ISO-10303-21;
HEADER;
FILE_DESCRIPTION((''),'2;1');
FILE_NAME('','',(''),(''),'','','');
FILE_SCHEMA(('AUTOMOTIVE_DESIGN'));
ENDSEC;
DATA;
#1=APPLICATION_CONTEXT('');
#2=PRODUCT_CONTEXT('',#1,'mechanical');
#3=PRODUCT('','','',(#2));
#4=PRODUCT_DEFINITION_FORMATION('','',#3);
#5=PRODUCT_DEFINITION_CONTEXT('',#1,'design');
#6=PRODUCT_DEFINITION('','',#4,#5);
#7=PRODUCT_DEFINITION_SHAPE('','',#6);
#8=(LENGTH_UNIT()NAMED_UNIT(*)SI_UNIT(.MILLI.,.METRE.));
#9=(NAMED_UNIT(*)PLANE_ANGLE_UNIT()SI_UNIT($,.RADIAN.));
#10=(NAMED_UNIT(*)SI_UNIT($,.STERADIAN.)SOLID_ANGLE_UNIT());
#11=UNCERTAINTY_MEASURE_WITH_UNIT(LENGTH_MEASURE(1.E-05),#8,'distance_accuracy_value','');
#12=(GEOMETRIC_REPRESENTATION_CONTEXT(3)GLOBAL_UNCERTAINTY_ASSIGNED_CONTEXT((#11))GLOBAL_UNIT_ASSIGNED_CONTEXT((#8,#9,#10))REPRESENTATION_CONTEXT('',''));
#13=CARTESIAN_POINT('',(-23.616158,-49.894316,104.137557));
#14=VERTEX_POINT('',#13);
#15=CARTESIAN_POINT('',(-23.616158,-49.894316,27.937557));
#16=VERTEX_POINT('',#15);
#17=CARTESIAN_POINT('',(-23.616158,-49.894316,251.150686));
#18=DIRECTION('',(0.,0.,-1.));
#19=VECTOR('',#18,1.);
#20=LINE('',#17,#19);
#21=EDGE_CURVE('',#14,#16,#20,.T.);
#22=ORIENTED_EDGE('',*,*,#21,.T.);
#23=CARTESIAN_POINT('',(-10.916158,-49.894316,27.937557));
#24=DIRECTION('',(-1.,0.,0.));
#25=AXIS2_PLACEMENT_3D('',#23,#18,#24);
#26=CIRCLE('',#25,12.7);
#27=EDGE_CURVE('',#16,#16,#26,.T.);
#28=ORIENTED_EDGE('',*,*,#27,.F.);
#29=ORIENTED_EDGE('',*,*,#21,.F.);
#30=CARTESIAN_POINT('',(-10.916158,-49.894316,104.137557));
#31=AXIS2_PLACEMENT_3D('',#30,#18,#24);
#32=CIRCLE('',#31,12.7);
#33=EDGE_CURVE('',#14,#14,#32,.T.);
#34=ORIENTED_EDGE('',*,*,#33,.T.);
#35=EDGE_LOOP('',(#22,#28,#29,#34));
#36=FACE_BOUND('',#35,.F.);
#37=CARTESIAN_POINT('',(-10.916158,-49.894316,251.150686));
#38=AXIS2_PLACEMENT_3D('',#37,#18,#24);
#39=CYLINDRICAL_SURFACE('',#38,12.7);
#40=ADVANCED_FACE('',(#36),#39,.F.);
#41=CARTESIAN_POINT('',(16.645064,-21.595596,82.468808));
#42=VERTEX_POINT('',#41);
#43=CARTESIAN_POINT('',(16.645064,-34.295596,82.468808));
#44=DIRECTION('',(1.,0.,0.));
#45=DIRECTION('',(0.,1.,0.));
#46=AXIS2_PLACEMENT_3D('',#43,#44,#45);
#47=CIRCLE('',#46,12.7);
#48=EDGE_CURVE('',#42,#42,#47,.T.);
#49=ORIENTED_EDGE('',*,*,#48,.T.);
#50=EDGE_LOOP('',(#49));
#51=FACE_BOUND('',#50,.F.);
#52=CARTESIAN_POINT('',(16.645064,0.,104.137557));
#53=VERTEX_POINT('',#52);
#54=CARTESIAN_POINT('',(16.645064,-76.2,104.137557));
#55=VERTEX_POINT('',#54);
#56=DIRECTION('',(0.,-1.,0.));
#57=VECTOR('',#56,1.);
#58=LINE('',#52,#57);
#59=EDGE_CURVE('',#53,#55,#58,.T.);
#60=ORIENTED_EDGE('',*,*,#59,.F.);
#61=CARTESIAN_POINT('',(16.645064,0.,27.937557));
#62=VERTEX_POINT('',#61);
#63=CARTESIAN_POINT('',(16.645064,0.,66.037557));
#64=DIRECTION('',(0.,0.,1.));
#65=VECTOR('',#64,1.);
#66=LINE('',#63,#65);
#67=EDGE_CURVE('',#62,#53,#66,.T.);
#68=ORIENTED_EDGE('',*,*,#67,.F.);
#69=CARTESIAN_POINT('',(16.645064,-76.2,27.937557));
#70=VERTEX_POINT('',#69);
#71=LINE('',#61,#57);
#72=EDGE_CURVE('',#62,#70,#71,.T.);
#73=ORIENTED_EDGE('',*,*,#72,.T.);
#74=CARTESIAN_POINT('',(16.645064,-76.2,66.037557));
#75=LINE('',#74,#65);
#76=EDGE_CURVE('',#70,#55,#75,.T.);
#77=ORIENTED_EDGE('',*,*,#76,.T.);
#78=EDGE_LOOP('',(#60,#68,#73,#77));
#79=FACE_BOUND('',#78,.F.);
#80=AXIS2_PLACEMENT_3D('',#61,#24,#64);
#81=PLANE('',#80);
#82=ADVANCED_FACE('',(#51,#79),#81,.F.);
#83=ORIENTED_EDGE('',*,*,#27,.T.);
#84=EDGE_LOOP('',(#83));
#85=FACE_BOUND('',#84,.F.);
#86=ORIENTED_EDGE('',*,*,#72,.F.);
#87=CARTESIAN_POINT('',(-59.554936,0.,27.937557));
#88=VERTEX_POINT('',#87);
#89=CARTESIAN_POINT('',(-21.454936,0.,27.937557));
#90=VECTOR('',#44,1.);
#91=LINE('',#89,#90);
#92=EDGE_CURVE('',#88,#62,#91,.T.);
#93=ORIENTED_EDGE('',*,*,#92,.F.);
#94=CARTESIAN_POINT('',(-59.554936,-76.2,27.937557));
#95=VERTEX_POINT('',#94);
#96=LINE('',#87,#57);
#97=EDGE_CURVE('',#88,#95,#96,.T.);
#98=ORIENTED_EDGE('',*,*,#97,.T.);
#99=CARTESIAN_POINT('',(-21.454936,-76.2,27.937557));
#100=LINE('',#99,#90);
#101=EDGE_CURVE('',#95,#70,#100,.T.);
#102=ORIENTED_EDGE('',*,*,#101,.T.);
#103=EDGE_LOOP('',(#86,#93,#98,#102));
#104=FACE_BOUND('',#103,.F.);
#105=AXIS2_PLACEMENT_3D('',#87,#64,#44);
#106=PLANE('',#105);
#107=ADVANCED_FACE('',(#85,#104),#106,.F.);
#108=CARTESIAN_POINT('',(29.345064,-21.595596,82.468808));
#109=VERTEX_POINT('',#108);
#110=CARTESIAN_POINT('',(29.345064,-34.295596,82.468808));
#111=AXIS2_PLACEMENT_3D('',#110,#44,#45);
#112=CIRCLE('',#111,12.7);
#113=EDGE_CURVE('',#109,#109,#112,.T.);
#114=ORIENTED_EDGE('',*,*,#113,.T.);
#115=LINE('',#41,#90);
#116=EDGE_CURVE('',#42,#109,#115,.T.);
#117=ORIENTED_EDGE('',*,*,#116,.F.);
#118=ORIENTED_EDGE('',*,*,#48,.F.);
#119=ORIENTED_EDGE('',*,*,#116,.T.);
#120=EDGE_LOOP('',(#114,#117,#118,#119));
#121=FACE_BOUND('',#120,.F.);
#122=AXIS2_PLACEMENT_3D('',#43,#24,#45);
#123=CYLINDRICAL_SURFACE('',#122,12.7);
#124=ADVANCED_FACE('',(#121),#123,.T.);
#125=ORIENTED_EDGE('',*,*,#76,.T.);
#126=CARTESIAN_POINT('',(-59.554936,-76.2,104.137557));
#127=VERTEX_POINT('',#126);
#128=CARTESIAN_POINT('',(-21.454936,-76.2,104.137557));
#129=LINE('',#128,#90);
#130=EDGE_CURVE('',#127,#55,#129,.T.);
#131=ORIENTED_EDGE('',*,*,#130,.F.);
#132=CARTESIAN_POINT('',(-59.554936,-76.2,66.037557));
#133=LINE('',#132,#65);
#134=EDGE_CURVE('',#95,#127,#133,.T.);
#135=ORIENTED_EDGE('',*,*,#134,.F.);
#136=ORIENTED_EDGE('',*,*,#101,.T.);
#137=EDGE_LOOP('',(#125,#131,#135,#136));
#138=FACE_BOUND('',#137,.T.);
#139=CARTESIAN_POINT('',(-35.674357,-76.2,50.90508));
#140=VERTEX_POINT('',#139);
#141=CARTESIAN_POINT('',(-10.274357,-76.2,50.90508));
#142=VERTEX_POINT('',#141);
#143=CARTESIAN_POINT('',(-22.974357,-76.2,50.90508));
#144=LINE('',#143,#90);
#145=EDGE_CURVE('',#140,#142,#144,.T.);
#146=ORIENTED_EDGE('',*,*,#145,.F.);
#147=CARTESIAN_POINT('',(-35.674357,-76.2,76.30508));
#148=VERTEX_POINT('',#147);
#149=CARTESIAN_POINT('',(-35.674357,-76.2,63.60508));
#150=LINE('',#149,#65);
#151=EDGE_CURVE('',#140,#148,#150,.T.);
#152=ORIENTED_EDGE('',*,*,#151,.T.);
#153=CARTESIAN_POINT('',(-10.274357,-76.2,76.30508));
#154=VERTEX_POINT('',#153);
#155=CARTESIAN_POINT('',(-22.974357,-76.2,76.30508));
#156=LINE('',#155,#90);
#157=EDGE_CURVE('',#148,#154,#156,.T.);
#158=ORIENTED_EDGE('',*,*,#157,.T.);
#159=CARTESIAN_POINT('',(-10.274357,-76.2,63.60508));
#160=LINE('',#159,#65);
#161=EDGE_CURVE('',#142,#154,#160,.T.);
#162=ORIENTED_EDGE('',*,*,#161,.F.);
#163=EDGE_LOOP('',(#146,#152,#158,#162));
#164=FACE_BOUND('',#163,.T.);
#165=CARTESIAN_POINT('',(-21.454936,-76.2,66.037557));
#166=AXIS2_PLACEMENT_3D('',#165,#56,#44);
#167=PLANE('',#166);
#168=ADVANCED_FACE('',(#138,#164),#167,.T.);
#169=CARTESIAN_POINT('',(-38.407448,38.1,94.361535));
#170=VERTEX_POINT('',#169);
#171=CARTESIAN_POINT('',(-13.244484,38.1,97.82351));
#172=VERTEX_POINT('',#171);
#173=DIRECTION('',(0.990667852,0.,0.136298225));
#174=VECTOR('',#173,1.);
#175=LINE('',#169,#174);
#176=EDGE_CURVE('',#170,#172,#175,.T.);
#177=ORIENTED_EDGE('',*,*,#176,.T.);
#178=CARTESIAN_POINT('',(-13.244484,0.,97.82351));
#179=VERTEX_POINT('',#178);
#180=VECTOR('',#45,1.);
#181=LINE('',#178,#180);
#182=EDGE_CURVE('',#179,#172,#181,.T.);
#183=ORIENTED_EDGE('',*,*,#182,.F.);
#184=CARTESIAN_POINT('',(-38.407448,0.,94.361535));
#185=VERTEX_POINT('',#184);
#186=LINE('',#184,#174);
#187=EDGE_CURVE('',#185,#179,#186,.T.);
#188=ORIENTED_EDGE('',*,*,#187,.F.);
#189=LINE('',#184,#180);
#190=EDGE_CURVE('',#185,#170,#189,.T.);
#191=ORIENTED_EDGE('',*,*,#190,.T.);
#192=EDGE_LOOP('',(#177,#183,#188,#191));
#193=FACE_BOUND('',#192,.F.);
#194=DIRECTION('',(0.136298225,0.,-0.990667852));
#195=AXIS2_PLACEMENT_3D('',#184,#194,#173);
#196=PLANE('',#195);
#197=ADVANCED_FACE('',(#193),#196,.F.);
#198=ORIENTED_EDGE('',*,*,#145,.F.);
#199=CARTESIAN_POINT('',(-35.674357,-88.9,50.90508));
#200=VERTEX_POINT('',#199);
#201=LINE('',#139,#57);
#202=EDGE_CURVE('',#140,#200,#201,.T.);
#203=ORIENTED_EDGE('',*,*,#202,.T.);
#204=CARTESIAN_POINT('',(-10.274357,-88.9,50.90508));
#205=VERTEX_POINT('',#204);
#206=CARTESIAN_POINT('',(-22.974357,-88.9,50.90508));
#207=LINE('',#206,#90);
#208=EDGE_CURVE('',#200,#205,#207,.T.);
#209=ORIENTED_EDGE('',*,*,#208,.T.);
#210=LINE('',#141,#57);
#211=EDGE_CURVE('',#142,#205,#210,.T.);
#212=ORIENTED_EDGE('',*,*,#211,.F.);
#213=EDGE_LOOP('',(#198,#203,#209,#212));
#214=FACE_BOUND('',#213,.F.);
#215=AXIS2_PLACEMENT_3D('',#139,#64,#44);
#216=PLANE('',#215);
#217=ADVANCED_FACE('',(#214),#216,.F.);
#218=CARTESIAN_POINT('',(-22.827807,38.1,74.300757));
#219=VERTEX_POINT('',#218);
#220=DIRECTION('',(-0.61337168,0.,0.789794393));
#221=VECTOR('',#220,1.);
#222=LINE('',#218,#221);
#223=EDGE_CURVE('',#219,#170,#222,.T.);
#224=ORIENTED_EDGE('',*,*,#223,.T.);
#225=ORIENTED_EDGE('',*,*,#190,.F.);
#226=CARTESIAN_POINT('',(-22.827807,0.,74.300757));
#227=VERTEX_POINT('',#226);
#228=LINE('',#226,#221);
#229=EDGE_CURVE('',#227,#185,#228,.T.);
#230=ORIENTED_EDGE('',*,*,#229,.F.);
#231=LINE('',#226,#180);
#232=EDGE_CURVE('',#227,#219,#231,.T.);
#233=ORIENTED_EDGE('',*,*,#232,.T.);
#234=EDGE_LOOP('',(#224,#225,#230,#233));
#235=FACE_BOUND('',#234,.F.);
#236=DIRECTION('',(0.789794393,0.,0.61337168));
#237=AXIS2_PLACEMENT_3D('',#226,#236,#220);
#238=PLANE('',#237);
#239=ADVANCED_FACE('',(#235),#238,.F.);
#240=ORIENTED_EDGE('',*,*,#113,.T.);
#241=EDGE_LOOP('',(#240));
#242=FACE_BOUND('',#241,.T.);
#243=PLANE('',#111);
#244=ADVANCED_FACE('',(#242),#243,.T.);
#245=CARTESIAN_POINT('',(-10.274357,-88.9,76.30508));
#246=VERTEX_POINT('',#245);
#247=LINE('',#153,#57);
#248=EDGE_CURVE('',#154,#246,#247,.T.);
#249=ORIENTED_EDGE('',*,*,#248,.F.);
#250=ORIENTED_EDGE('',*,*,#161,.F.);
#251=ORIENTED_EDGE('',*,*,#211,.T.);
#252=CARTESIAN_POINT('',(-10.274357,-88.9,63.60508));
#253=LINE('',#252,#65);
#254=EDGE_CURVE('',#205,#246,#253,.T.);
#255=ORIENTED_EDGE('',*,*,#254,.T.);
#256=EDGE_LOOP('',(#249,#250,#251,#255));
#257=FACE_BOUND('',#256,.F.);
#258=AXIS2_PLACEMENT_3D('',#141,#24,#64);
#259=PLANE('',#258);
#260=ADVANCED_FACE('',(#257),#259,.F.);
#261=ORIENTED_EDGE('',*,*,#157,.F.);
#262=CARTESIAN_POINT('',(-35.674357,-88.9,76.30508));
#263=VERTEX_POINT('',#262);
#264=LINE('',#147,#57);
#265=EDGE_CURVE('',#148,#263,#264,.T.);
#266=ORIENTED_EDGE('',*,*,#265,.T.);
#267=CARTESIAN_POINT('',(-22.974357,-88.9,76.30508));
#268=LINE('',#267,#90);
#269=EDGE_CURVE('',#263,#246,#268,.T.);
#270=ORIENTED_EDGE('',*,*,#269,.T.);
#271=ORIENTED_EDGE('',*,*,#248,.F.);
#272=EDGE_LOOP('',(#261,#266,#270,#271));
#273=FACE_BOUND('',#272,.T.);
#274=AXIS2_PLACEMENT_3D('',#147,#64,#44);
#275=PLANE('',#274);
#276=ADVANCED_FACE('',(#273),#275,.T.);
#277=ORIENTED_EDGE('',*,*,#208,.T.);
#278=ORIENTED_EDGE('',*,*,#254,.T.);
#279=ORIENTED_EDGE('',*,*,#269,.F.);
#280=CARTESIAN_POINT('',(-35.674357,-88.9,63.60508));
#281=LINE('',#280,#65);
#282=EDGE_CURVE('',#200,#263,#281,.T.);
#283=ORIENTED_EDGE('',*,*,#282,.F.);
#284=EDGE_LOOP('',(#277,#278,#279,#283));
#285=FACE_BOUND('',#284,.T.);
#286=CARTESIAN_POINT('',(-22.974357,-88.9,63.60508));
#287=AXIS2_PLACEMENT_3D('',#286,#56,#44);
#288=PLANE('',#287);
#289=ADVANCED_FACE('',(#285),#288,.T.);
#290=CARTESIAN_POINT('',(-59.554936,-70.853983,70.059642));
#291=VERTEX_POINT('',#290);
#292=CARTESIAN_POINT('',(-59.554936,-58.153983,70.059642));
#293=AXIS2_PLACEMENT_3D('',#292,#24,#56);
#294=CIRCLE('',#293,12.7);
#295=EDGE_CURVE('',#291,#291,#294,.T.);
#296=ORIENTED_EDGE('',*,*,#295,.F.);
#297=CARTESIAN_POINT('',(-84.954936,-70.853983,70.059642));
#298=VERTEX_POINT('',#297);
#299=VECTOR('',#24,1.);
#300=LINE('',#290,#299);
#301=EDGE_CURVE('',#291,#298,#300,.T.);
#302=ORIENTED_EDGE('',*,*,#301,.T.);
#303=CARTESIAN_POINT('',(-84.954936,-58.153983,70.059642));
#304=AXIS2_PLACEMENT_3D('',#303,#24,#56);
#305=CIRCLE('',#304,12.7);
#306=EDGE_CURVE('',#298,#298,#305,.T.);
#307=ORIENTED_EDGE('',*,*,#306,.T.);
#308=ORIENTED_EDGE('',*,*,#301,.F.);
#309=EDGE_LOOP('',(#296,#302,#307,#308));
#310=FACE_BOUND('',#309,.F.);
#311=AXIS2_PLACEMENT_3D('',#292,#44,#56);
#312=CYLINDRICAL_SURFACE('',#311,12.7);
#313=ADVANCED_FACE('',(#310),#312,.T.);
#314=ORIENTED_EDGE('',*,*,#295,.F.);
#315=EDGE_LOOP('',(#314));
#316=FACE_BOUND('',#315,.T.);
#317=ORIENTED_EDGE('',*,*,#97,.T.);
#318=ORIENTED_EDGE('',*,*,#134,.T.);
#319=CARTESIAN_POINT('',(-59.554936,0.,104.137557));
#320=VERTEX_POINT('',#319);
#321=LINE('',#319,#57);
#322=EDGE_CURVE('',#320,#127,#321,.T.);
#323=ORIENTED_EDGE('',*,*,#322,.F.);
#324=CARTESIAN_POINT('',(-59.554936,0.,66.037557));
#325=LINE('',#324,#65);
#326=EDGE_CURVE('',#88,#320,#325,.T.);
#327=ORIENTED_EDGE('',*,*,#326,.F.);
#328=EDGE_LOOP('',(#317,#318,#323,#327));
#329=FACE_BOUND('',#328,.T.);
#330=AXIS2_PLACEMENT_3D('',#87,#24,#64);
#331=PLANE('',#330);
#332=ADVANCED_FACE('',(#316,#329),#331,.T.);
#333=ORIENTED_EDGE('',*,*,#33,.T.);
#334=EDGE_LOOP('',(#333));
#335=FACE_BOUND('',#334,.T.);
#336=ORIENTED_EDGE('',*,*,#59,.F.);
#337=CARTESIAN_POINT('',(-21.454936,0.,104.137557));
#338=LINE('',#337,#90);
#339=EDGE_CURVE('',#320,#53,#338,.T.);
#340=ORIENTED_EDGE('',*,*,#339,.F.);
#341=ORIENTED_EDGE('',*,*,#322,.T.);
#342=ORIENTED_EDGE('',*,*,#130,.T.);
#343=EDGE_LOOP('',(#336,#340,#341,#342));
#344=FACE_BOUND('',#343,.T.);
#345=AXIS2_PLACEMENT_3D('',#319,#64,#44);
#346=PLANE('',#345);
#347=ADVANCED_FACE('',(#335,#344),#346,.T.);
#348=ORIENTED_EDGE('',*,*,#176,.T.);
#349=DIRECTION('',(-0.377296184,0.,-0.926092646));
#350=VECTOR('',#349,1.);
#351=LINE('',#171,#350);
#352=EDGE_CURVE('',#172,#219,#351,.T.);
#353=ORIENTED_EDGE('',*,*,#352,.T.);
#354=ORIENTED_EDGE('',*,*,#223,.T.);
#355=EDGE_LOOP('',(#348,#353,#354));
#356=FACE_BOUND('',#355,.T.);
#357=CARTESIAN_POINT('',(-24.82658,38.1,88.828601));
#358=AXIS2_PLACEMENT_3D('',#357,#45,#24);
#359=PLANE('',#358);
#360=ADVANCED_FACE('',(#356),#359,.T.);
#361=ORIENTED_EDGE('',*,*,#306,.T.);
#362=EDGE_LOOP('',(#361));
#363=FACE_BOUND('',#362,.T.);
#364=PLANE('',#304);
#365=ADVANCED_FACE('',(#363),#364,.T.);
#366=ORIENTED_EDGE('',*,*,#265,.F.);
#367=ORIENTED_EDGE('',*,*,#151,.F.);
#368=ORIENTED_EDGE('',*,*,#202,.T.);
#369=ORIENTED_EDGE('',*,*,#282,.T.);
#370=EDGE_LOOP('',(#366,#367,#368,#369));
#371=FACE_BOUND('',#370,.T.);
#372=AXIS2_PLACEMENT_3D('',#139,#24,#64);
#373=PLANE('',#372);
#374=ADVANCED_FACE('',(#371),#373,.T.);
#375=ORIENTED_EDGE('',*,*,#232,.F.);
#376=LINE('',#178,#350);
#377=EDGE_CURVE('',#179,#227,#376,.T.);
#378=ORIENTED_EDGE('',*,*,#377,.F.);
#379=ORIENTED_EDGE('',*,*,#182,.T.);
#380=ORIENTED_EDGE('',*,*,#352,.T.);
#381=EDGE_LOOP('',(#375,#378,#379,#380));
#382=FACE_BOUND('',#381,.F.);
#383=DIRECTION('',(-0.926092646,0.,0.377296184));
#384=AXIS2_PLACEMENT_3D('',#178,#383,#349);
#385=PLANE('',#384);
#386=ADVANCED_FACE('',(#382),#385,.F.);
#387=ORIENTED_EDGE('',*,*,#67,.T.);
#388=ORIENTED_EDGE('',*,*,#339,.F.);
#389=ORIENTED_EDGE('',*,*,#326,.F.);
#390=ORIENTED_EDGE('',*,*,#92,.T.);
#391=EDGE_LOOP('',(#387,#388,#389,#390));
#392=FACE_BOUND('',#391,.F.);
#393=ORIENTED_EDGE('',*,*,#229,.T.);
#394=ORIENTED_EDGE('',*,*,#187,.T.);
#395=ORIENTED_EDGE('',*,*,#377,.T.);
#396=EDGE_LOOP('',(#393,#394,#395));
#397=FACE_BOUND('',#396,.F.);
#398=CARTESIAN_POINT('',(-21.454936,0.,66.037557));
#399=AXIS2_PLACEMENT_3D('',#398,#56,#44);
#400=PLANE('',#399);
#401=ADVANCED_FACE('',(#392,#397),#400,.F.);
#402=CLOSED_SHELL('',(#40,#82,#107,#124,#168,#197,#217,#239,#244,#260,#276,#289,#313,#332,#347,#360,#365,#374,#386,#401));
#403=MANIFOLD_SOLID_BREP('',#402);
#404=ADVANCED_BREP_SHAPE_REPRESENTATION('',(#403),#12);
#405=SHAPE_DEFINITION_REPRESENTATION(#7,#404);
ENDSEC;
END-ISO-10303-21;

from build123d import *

# Parameters (mm, degrees)
F0_W      = 76.2
F0_H      = 76.2
F1_DEPTH  = 76.2
F2_W      = 25.4
F2_H      = 25.4
F3_DEPTH  = 12.7
F4_R      = 12.7
F5_DEPTH  = 12.7
F7_D      = 25.4
F9_DEPTH  = 38.1
F10_R     = 12.7
F11_DEPTH = 25.4


with BuildPart() as f1:
    # F0 (on Front) → F1 (new body)
    with BuildSketch(Plane.XZ):
        with Locations((-21.454936, 66.037557)):
            Rectangle(F0_W, F0_H)
    extrude(amount=F1_DEPTH)

    # F2 (on face) → F3 (join)
    with BuildSketch(Plane.XZ.offset(76.2)):
        with Locations((-22.974357, 63.60508)):
            Rectangle(F2_W, F2_H)
    extrude(amount=F3_DEPTH)

    # F4 (on face) → F5 (join)
    with BuildSketch(Plane.YZ.offset(16.645064)):
        with Locations((-34.295596, 82.468808)):
            Circle(F4_R)
    extrude(amount=F5_DEPTH)

    # F7 (through all)
    with Locations(Plane.XY.offset(104.137557)):
        with Locations((-10.916158, -49.894316)):
            Hole(F7_D / 2)

    # F8 (on face) → F9 (join)
    with BuildSketch(Plane(origin=(0, 0, 0), x_dir=(-1, 0, 0), z_dir=(0, 1, 0))):
        Polygon((13.244484, 97.82351), (22.827807, 74.300757), (38.407448, 94.361535), align=None)
    extrude(amount=F9_DEPTH)

    # F10 (on face) → F11 (join)
    with BuildSketch(Plane(origin=(-59.554936, 0, 0), x_dir=(0, -1, 0), z_dir=(-1, 0, 0))):
        with Locations((58.153983, 70.059642)):
            Circle(F10_R)
    extrude(amount=F11_DEPTH)


solid = f1.part
